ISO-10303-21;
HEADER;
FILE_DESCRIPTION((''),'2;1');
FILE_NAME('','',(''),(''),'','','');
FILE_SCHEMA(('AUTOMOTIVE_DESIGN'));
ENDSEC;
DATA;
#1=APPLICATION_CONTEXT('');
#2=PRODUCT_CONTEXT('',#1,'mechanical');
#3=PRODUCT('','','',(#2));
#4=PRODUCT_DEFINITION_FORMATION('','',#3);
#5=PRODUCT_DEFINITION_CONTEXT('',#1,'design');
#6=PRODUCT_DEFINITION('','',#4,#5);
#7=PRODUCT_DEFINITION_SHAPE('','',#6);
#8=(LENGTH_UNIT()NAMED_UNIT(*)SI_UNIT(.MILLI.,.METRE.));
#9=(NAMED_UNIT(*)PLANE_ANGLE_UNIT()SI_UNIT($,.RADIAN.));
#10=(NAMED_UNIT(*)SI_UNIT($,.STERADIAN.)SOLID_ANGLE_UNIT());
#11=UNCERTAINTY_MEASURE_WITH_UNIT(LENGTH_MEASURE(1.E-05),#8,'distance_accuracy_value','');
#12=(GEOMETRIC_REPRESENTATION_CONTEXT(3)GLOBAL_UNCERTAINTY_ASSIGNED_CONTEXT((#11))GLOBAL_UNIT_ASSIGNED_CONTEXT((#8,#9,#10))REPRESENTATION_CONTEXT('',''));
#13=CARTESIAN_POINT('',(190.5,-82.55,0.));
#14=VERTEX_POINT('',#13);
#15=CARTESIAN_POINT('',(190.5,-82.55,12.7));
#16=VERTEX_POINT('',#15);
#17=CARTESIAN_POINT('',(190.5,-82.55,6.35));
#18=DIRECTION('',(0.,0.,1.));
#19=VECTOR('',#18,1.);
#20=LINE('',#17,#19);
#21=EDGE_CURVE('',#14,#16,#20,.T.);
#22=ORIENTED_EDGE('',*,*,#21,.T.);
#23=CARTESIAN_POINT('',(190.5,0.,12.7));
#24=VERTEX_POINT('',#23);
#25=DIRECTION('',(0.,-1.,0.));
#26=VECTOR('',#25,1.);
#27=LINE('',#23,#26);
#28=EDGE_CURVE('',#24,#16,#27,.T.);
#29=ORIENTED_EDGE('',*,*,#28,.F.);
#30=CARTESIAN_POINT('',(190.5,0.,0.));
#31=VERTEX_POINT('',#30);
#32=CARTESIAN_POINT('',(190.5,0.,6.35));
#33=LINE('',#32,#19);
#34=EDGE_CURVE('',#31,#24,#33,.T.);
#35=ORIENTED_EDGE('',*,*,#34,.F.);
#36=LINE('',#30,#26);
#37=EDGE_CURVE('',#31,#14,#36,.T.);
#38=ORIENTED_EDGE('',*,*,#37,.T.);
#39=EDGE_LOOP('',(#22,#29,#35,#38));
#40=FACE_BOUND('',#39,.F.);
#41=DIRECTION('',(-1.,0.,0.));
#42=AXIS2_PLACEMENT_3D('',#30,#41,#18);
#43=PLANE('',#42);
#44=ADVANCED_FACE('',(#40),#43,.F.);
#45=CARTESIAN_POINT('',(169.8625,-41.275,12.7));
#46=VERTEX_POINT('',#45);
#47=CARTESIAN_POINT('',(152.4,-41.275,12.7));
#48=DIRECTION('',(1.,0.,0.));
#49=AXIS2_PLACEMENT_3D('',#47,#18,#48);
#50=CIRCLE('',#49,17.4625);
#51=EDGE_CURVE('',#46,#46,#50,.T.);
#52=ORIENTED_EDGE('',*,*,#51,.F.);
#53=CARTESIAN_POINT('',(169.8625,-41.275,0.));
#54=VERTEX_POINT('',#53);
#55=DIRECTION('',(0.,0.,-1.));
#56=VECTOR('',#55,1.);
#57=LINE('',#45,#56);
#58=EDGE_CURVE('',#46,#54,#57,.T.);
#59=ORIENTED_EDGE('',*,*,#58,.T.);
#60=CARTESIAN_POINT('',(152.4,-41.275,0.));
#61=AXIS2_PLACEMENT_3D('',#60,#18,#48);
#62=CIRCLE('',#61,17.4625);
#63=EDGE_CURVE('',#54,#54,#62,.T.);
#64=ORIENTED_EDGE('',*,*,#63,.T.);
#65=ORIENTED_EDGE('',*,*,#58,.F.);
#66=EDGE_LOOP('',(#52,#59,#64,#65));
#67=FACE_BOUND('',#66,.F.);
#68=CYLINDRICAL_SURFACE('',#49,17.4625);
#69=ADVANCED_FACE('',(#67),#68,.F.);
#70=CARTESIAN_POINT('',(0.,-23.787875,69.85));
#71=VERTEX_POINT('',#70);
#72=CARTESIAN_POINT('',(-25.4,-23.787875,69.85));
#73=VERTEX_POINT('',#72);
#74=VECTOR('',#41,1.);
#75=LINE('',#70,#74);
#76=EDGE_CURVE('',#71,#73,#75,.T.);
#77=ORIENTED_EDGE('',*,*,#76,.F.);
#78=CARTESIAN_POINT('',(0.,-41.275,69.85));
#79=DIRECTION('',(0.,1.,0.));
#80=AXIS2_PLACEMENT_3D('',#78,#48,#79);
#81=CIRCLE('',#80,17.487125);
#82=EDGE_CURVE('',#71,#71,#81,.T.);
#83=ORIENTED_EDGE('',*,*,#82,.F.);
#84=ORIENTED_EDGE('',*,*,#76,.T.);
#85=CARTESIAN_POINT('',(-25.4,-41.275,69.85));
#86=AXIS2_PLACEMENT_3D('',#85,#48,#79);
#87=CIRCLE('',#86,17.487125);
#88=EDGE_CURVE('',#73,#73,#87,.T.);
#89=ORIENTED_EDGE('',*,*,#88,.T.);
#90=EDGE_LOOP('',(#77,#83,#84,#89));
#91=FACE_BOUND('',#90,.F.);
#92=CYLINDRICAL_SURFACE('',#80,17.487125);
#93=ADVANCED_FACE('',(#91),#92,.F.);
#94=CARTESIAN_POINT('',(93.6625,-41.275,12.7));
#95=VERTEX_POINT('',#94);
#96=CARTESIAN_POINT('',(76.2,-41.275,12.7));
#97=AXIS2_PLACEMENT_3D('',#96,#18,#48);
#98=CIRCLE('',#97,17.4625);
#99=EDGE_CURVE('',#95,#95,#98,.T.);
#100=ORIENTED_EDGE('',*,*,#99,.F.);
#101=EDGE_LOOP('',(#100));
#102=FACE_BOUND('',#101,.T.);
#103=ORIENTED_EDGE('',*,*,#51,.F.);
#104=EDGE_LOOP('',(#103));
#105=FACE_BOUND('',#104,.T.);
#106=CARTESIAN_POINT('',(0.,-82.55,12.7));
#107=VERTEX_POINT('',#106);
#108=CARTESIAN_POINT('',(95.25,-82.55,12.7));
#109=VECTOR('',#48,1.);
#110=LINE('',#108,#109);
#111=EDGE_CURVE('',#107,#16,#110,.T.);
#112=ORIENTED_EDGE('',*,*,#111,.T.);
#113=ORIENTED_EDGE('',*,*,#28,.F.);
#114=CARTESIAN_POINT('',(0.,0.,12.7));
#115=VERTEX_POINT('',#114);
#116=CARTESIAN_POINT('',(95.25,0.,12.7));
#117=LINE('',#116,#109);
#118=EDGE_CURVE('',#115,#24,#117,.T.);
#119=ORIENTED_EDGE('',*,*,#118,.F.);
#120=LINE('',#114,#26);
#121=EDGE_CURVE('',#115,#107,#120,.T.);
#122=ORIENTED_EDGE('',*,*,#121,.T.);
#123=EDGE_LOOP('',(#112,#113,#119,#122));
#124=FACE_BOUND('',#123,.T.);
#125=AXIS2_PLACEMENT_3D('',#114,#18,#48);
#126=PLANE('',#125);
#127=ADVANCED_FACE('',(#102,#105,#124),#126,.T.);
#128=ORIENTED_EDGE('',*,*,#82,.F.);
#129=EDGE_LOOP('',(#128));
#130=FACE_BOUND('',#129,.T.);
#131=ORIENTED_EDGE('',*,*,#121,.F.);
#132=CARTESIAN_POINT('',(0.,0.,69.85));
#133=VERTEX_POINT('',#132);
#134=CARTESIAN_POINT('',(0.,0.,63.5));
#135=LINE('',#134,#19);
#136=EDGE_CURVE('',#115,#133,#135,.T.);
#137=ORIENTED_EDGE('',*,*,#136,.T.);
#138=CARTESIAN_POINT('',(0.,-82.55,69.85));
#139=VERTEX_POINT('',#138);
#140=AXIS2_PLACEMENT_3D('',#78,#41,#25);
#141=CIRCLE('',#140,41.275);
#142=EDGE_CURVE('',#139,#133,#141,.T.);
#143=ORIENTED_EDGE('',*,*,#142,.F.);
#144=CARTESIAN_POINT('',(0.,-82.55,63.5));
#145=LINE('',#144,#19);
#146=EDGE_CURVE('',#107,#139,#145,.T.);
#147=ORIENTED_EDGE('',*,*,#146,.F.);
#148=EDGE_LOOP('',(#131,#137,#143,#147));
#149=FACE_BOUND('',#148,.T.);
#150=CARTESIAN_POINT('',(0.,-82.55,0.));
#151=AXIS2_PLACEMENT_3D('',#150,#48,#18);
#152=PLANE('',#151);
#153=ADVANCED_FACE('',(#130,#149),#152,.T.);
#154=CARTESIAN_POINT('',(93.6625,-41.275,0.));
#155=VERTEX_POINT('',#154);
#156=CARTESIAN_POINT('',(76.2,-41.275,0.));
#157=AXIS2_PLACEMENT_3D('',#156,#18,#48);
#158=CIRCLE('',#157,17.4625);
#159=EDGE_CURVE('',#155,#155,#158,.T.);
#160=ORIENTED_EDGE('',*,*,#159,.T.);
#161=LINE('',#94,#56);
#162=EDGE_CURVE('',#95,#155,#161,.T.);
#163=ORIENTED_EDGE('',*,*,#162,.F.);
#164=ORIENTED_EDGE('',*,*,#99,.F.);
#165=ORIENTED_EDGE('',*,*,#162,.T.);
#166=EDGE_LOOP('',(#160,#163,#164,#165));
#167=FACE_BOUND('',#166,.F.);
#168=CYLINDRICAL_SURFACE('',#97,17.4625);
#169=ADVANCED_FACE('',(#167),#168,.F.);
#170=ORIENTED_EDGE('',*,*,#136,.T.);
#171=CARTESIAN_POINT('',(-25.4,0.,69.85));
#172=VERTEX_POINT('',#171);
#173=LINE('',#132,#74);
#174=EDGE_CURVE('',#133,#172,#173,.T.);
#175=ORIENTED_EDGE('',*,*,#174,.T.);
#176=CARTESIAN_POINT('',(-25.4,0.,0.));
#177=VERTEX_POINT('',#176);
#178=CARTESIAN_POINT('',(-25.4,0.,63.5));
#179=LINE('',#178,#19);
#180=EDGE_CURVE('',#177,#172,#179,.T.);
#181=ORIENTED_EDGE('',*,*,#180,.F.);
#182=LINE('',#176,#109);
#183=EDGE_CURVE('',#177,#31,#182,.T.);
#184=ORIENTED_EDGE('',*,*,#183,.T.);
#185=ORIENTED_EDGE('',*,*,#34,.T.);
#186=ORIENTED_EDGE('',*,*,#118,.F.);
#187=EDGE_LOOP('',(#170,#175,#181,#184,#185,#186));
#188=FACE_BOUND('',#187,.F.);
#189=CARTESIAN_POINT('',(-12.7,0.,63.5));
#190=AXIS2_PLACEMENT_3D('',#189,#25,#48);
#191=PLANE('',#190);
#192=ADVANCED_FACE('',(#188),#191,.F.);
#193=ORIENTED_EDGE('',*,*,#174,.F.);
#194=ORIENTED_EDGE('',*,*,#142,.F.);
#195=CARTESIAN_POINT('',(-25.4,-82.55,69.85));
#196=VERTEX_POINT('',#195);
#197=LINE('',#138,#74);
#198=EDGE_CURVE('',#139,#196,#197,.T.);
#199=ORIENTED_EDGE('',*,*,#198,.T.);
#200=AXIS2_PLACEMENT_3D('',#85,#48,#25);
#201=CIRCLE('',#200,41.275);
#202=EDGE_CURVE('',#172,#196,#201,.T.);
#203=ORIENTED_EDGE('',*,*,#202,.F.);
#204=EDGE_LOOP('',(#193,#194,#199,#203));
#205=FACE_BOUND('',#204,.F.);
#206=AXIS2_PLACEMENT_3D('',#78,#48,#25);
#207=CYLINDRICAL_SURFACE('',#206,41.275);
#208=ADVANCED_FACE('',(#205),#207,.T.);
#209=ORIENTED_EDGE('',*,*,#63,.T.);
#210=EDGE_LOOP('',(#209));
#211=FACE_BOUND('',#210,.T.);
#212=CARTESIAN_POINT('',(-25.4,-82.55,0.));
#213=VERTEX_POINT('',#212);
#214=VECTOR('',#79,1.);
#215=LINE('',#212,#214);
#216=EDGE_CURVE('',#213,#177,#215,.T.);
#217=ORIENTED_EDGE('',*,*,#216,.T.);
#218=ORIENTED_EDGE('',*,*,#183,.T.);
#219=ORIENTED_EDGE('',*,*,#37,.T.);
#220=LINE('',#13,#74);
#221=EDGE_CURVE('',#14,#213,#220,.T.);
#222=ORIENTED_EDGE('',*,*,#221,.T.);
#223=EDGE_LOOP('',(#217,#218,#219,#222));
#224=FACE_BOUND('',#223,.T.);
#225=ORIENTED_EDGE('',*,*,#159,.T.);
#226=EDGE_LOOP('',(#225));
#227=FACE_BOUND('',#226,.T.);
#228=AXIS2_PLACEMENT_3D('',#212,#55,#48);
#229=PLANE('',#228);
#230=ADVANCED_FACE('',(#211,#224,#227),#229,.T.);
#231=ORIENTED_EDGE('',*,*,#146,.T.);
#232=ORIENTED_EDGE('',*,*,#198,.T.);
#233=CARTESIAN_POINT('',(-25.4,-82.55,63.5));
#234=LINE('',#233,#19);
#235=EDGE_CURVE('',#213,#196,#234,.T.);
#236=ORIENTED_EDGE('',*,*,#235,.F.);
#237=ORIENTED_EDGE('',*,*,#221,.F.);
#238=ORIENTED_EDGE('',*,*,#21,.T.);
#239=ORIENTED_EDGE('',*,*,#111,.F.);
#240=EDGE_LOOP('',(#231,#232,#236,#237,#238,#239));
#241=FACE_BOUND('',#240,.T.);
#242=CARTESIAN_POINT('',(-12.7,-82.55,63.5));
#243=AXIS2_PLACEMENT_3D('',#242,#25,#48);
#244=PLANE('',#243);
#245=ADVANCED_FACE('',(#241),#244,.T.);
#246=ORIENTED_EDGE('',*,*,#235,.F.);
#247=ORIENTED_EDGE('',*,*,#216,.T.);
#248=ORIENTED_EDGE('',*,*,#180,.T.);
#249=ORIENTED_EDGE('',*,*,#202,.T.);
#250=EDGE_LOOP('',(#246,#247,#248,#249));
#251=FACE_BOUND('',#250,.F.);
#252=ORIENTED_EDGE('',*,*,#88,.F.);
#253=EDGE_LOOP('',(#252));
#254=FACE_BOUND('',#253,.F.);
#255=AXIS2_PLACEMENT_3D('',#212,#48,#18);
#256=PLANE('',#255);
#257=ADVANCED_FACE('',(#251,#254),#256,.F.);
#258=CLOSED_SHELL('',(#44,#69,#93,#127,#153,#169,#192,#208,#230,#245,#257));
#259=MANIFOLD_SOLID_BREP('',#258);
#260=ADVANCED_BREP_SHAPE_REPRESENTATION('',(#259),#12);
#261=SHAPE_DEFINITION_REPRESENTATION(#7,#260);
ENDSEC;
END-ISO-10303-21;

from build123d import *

# Parameters (mm, degrees)
F0_W     = 190.5
F0_H     = 12.7
F1_DEPTH = 82.55
F2_W     = 25.4
F2_H     = 127
F3_DEPTH = 82.55
F5_DEPTH = 25.401
F6_R     = 17.487125
F7_DEPTH = 25.401
F8_R     = 17.4625
F9_DEPTH = 25.4


with BuildPart() as f1:
    # F0 (on Front) → F1 (new body)
    with BuildSketch(Plane.XZ):
        with Locations((95.25, 6.35)):
            Rectangle(F0_W, F0_H)
    extrude(amount=F1_DEPTH)

    # F2 (on face) → F3 (join)
    with BuildSketch(Plane.XZ.offset(82.55)):
        with Locations((-12.7, 63.5)):
            Rectangle(F2_W, F2_H)
    extrude(amount=-F3_DEPTH)

    # F4 (on face) → F5 (cut, through all)
    with BuildSketch(Plane.YZ):
        with BuildLine():
            ThreePointArc((-82.55, 69.85), (-41.275, 111.125), (0, 69.85))
            Line((0, 69.85), (0, 127))
            Line((0, 127), (-82.55, 127))
            Line((-82.55, 127), (-82.55, 69.85))
        make_face()
    extrude(amount=-F5_DEPTH, mode=Mode.SUBTRACT)

    # F6 (on face) → F7 (cut, through all)
    with BuildSketch(Plane.YZ):
        with Locations((-41.275, 69.85)):
            Circle(F6_R)
    extrude(amount=-F7_DEPTH, mode=Mode.SUBTRACT)

    # F8 (on face) → F9 (cut)
    with BuildSketch(Plane.XY.offset(12.7)):
        with Locations((76.2, -41.275)):
            Circle(F8_R)
        with Locations((152.4, -41.275)):
            Circle(F8_R)
    extrude(amount=-F9_DEPTH, mode=Mode.SUBTRACT)


solid = f1.part
